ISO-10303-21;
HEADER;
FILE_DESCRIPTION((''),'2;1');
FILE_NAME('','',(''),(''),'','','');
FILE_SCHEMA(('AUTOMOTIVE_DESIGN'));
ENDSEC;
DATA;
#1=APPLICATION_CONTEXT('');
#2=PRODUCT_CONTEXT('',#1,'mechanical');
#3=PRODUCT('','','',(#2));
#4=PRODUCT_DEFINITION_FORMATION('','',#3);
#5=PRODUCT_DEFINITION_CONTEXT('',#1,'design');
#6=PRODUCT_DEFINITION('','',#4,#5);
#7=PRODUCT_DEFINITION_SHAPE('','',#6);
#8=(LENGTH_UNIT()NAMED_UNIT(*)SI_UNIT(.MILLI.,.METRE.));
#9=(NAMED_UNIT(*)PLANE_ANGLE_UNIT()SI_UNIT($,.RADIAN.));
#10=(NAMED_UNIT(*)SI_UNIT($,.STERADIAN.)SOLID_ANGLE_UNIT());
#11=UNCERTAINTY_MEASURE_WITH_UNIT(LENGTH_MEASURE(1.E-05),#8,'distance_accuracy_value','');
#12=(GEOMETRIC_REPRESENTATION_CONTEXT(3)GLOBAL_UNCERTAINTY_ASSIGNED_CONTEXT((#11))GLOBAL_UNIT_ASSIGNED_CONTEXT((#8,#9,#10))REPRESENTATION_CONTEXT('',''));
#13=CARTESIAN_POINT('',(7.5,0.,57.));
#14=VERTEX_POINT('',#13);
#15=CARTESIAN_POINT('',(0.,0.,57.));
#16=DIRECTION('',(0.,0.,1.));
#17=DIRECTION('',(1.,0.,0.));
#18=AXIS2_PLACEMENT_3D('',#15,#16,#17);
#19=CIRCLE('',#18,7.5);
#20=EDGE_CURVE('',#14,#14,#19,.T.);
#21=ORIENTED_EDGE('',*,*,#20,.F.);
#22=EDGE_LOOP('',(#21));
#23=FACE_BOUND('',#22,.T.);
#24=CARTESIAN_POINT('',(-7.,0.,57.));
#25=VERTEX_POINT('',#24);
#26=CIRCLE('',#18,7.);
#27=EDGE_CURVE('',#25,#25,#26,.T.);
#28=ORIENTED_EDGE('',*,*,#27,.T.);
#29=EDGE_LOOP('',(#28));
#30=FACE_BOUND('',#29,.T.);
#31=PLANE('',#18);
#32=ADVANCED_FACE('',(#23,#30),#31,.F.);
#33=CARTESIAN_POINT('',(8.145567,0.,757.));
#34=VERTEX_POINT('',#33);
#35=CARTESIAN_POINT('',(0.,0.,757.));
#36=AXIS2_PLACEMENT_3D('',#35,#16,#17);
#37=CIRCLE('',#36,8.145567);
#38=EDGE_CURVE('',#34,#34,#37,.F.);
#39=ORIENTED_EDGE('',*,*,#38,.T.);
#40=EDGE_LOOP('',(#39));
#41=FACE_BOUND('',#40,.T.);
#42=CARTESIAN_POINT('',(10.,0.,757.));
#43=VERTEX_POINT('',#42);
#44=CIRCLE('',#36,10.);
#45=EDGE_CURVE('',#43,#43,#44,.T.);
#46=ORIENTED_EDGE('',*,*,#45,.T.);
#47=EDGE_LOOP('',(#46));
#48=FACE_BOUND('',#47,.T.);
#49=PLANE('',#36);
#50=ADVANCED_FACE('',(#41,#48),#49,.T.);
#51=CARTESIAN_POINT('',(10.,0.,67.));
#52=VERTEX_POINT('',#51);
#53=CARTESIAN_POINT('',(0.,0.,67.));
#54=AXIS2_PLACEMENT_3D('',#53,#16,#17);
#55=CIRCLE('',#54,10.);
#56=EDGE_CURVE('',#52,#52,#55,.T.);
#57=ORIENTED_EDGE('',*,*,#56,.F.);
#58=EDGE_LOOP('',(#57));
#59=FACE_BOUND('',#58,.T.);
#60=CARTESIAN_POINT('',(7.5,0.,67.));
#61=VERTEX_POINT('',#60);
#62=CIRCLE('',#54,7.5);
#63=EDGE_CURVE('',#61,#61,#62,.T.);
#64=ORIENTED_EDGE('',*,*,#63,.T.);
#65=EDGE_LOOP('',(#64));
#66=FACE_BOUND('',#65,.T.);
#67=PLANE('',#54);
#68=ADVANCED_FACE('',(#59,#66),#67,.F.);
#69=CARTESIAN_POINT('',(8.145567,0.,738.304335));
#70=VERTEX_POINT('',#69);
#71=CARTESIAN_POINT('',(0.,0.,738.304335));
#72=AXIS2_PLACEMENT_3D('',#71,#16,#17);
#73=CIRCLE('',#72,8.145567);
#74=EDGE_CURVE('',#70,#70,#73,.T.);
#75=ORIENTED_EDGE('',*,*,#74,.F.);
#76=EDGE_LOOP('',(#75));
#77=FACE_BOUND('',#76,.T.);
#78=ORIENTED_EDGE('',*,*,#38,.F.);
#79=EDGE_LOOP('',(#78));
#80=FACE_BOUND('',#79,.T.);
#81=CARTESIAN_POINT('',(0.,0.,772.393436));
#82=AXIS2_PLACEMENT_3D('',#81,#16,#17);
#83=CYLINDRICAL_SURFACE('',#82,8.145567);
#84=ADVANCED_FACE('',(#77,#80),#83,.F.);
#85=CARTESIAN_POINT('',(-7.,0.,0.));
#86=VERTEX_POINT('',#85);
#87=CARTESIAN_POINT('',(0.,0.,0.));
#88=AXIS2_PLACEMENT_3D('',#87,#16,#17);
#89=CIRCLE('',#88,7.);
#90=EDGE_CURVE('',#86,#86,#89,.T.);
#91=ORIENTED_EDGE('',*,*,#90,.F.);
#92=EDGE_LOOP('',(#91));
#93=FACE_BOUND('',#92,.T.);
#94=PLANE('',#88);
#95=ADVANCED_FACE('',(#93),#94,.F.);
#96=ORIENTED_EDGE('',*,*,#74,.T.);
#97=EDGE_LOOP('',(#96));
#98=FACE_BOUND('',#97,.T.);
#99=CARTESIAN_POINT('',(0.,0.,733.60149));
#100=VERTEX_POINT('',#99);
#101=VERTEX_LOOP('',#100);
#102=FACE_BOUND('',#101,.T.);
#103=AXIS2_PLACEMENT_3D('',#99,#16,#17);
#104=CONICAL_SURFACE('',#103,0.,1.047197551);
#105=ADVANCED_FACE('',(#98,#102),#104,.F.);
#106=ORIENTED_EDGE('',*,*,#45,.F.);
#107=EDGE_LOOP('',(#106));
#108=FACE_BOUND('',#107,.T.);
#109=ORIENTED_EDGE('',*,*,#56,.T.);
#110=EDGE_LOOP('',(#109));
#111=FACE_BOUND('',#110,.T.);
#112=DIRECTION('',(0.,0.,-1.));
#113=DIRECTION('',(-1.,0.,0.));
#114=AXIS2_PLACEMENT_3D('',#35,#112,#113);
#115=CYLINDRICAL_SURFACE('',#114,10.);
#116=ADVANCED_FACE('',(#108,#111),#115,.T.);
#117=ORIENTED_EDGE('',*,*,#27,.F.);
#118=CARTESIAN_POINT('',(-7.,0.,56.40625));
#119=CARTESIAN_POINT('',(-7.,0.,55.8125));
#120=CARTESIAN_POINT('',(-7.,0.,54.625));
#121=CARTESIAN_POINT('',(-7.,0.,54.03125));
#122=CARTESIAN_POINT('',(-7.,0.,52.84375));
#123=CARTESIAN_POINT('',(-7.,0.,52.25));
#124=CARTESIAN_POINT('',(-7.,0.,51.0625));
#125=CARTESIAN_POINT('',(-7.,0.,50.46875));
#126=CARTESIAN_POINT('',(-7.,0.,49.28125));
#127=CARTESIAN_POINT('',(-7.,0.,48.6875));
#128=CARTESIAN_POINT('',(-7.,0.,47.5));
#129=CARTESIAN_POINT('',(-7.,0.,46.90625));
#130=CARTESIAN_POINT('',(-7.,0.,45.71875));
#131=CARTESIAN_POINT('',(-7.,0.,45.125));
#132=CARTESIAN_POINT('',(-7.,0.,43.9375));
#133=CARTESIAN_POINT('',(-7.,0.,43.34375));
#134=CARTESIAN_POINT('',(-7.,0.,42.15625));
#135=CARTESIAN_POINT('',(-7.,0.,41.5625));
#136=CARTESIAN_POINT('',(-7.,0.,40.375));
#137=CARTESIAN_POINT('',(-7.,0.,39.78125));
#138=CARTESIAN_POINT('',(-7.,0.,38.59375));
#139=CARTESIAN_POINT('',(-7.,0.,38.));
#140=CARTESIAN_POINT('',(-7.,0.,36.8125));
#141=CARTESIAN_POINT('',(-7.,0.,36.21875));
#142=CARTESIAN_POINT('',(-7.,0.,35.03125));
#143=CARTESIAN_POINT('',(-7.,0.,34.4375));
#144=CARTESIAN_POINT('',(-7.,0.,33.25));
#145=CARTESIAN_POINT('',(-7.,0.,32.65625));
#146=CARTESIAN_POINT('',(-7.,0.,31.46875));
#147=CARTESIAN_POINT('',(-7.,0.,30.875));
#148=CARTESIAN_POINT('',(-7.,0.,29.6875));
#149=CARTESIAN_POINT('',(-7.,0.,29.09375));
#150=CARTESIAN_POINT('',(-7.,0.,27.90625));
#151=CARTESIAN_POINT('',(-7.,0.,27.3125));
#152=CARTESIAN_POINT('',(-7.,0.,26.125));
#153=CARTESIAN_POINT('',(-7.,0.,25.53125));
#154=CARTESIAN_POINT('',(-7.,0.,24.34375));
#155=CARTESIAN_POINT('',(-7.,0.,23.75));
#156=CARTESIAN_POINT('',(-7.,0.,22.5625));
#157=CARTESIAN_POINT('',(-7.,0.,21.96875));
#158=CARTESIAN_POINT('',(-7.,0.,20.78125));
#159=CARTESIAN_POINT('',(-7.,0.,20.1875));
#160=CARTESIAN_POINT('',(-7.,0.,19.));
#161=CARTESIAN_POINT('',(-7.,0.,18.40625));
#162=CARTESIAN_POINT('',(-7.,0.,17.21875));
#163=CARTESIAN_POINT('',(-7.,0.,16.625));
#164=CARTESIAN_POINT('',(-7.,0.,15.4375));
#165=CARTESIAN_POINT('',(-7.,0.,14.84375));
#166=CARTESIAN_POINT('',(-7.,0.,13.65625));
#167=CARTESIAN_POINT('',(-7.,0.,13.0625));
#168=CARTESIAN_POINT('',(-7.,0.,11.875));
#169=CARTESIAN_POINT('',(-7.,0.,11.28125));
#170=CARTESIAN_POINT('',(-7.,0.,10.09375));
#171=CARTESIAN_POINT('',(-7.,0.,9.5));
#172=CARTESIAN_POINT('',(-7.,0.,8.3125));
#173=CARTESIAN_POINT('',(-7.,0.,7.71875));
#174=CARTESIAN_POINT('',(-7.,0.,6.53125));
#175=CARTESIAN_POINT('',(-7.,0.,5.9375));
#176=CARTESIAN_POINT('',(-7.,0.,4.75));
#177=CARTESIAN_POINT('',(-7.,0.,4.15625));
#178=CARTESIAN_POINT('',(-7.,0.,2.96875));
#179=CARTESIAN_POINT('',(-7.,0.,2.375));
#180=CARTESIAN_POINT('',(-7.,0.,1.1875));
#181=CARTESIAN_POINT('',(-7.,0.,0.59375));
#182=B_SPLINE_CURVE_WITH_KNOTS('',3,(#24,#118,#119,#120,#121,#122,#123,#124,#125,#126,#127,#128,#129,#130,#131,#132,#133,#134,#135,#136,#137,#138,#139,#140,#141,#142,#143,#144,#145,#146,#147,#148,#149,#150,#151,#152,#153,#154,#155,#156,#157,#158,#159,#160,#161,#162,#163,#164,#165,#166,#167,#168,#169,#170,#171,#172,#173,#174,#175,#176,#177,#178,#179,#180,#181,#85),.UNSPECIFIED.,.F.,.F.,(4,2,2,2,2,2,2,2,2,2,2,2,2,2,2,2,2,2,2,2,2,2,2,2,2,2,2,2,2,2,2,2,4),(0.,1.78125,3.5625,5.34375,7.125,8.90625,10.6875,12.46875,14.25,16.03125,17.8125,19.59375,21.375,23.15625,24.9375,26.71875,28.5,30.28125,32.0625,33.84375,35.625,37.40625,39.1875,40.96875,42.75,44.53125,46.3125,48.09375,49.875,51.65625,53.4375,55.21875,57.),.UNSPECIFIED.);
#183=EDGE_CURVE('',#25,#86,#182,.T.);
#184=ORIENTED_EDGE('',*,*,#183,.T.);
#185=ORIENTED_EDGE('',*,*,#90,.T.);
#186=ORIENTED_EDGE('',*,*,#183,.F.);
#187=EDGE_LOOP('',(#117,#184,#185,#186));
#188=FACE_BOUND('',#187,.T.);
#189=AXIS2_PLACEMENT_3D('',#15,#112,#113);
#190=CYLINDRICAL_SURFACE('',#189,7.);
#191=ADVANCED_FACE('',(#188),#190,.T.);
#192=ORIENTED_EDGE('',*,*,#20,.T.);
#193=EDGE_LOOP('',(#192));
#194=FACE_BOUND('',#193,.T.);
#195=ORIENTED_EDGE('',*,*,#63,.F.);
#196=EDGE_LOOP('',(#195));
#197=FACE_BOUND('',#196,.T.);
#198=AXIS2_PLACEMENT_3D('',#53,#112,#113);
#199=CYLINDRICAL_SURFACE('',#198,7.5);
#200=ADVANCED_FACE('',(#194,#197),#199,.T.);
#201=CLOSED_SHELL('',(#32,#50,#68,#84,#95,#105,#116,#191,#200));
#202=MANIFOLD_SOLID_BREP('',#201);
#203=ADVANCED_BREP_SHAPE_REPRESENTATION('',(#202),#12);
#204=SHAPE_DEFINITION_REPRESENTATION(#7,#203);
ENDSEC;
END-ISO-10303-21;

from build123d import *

# Parameters (mm, degrees)
SKETCH_1_R      = 7
EXTRUDE_1_DEPTH = 57
SKETCH_2_R      = 7.5
EXTRUDE_2_DEPTH = 10
SKETCH_3_R      = 10
EXTRUDE_3_DEPTH = 690


with BuildPart() as part:
    # 草图1 → 凸台-拉伸1 (new body)
    with BuildSketch(Plane.XY):
        with Locations(Location((0, 0, 0), (0, 0, 180))):
            Circle(SKETCH_1_R)
    extrude(amount=EXTRUDE_1_DEPTH)

    # 草图2 → 凸台-拉伸2 (add)
    with BuildSketch(Plane.XY.offset(57)):
        Circle(SKETCH_2_R)
    extrude(amount=EXTRUDE_2_DEPTH)

    # 草图3 → 凸台-拉伸3 (add)
    with BuildSketch(Plane.XY.offset(67)):
        Circle(SKETCH_3_R)
    extrude(amount=EXTRUDE_3_DEPTH)

    # 草图4 → 切除-旋转1 (revolve, cut)
    with BuildSketch(Plane(origin=(0, 0, 0), x_dir=(0, 0, -1), z_dir=(1, 0, 0)), mode=Mode.PRIVATE) as cut_revolve_1_sk:
        Polygon((-757, 0), (-757, 5), (-761.492335199, 8.145566971), (-738.304335199, 8.145566971), (-733.601489916, 0), align=None)
    revolve(cut_revolve_1_sk.sketch.rotate(Axis((0, 0, 772.39343623), (0, 0, -1)), 90), axis=Axis((0, 0, 772.39343623), (0, 0, -1)), mode=Mode.SUBTRACT)


solid = part.part
